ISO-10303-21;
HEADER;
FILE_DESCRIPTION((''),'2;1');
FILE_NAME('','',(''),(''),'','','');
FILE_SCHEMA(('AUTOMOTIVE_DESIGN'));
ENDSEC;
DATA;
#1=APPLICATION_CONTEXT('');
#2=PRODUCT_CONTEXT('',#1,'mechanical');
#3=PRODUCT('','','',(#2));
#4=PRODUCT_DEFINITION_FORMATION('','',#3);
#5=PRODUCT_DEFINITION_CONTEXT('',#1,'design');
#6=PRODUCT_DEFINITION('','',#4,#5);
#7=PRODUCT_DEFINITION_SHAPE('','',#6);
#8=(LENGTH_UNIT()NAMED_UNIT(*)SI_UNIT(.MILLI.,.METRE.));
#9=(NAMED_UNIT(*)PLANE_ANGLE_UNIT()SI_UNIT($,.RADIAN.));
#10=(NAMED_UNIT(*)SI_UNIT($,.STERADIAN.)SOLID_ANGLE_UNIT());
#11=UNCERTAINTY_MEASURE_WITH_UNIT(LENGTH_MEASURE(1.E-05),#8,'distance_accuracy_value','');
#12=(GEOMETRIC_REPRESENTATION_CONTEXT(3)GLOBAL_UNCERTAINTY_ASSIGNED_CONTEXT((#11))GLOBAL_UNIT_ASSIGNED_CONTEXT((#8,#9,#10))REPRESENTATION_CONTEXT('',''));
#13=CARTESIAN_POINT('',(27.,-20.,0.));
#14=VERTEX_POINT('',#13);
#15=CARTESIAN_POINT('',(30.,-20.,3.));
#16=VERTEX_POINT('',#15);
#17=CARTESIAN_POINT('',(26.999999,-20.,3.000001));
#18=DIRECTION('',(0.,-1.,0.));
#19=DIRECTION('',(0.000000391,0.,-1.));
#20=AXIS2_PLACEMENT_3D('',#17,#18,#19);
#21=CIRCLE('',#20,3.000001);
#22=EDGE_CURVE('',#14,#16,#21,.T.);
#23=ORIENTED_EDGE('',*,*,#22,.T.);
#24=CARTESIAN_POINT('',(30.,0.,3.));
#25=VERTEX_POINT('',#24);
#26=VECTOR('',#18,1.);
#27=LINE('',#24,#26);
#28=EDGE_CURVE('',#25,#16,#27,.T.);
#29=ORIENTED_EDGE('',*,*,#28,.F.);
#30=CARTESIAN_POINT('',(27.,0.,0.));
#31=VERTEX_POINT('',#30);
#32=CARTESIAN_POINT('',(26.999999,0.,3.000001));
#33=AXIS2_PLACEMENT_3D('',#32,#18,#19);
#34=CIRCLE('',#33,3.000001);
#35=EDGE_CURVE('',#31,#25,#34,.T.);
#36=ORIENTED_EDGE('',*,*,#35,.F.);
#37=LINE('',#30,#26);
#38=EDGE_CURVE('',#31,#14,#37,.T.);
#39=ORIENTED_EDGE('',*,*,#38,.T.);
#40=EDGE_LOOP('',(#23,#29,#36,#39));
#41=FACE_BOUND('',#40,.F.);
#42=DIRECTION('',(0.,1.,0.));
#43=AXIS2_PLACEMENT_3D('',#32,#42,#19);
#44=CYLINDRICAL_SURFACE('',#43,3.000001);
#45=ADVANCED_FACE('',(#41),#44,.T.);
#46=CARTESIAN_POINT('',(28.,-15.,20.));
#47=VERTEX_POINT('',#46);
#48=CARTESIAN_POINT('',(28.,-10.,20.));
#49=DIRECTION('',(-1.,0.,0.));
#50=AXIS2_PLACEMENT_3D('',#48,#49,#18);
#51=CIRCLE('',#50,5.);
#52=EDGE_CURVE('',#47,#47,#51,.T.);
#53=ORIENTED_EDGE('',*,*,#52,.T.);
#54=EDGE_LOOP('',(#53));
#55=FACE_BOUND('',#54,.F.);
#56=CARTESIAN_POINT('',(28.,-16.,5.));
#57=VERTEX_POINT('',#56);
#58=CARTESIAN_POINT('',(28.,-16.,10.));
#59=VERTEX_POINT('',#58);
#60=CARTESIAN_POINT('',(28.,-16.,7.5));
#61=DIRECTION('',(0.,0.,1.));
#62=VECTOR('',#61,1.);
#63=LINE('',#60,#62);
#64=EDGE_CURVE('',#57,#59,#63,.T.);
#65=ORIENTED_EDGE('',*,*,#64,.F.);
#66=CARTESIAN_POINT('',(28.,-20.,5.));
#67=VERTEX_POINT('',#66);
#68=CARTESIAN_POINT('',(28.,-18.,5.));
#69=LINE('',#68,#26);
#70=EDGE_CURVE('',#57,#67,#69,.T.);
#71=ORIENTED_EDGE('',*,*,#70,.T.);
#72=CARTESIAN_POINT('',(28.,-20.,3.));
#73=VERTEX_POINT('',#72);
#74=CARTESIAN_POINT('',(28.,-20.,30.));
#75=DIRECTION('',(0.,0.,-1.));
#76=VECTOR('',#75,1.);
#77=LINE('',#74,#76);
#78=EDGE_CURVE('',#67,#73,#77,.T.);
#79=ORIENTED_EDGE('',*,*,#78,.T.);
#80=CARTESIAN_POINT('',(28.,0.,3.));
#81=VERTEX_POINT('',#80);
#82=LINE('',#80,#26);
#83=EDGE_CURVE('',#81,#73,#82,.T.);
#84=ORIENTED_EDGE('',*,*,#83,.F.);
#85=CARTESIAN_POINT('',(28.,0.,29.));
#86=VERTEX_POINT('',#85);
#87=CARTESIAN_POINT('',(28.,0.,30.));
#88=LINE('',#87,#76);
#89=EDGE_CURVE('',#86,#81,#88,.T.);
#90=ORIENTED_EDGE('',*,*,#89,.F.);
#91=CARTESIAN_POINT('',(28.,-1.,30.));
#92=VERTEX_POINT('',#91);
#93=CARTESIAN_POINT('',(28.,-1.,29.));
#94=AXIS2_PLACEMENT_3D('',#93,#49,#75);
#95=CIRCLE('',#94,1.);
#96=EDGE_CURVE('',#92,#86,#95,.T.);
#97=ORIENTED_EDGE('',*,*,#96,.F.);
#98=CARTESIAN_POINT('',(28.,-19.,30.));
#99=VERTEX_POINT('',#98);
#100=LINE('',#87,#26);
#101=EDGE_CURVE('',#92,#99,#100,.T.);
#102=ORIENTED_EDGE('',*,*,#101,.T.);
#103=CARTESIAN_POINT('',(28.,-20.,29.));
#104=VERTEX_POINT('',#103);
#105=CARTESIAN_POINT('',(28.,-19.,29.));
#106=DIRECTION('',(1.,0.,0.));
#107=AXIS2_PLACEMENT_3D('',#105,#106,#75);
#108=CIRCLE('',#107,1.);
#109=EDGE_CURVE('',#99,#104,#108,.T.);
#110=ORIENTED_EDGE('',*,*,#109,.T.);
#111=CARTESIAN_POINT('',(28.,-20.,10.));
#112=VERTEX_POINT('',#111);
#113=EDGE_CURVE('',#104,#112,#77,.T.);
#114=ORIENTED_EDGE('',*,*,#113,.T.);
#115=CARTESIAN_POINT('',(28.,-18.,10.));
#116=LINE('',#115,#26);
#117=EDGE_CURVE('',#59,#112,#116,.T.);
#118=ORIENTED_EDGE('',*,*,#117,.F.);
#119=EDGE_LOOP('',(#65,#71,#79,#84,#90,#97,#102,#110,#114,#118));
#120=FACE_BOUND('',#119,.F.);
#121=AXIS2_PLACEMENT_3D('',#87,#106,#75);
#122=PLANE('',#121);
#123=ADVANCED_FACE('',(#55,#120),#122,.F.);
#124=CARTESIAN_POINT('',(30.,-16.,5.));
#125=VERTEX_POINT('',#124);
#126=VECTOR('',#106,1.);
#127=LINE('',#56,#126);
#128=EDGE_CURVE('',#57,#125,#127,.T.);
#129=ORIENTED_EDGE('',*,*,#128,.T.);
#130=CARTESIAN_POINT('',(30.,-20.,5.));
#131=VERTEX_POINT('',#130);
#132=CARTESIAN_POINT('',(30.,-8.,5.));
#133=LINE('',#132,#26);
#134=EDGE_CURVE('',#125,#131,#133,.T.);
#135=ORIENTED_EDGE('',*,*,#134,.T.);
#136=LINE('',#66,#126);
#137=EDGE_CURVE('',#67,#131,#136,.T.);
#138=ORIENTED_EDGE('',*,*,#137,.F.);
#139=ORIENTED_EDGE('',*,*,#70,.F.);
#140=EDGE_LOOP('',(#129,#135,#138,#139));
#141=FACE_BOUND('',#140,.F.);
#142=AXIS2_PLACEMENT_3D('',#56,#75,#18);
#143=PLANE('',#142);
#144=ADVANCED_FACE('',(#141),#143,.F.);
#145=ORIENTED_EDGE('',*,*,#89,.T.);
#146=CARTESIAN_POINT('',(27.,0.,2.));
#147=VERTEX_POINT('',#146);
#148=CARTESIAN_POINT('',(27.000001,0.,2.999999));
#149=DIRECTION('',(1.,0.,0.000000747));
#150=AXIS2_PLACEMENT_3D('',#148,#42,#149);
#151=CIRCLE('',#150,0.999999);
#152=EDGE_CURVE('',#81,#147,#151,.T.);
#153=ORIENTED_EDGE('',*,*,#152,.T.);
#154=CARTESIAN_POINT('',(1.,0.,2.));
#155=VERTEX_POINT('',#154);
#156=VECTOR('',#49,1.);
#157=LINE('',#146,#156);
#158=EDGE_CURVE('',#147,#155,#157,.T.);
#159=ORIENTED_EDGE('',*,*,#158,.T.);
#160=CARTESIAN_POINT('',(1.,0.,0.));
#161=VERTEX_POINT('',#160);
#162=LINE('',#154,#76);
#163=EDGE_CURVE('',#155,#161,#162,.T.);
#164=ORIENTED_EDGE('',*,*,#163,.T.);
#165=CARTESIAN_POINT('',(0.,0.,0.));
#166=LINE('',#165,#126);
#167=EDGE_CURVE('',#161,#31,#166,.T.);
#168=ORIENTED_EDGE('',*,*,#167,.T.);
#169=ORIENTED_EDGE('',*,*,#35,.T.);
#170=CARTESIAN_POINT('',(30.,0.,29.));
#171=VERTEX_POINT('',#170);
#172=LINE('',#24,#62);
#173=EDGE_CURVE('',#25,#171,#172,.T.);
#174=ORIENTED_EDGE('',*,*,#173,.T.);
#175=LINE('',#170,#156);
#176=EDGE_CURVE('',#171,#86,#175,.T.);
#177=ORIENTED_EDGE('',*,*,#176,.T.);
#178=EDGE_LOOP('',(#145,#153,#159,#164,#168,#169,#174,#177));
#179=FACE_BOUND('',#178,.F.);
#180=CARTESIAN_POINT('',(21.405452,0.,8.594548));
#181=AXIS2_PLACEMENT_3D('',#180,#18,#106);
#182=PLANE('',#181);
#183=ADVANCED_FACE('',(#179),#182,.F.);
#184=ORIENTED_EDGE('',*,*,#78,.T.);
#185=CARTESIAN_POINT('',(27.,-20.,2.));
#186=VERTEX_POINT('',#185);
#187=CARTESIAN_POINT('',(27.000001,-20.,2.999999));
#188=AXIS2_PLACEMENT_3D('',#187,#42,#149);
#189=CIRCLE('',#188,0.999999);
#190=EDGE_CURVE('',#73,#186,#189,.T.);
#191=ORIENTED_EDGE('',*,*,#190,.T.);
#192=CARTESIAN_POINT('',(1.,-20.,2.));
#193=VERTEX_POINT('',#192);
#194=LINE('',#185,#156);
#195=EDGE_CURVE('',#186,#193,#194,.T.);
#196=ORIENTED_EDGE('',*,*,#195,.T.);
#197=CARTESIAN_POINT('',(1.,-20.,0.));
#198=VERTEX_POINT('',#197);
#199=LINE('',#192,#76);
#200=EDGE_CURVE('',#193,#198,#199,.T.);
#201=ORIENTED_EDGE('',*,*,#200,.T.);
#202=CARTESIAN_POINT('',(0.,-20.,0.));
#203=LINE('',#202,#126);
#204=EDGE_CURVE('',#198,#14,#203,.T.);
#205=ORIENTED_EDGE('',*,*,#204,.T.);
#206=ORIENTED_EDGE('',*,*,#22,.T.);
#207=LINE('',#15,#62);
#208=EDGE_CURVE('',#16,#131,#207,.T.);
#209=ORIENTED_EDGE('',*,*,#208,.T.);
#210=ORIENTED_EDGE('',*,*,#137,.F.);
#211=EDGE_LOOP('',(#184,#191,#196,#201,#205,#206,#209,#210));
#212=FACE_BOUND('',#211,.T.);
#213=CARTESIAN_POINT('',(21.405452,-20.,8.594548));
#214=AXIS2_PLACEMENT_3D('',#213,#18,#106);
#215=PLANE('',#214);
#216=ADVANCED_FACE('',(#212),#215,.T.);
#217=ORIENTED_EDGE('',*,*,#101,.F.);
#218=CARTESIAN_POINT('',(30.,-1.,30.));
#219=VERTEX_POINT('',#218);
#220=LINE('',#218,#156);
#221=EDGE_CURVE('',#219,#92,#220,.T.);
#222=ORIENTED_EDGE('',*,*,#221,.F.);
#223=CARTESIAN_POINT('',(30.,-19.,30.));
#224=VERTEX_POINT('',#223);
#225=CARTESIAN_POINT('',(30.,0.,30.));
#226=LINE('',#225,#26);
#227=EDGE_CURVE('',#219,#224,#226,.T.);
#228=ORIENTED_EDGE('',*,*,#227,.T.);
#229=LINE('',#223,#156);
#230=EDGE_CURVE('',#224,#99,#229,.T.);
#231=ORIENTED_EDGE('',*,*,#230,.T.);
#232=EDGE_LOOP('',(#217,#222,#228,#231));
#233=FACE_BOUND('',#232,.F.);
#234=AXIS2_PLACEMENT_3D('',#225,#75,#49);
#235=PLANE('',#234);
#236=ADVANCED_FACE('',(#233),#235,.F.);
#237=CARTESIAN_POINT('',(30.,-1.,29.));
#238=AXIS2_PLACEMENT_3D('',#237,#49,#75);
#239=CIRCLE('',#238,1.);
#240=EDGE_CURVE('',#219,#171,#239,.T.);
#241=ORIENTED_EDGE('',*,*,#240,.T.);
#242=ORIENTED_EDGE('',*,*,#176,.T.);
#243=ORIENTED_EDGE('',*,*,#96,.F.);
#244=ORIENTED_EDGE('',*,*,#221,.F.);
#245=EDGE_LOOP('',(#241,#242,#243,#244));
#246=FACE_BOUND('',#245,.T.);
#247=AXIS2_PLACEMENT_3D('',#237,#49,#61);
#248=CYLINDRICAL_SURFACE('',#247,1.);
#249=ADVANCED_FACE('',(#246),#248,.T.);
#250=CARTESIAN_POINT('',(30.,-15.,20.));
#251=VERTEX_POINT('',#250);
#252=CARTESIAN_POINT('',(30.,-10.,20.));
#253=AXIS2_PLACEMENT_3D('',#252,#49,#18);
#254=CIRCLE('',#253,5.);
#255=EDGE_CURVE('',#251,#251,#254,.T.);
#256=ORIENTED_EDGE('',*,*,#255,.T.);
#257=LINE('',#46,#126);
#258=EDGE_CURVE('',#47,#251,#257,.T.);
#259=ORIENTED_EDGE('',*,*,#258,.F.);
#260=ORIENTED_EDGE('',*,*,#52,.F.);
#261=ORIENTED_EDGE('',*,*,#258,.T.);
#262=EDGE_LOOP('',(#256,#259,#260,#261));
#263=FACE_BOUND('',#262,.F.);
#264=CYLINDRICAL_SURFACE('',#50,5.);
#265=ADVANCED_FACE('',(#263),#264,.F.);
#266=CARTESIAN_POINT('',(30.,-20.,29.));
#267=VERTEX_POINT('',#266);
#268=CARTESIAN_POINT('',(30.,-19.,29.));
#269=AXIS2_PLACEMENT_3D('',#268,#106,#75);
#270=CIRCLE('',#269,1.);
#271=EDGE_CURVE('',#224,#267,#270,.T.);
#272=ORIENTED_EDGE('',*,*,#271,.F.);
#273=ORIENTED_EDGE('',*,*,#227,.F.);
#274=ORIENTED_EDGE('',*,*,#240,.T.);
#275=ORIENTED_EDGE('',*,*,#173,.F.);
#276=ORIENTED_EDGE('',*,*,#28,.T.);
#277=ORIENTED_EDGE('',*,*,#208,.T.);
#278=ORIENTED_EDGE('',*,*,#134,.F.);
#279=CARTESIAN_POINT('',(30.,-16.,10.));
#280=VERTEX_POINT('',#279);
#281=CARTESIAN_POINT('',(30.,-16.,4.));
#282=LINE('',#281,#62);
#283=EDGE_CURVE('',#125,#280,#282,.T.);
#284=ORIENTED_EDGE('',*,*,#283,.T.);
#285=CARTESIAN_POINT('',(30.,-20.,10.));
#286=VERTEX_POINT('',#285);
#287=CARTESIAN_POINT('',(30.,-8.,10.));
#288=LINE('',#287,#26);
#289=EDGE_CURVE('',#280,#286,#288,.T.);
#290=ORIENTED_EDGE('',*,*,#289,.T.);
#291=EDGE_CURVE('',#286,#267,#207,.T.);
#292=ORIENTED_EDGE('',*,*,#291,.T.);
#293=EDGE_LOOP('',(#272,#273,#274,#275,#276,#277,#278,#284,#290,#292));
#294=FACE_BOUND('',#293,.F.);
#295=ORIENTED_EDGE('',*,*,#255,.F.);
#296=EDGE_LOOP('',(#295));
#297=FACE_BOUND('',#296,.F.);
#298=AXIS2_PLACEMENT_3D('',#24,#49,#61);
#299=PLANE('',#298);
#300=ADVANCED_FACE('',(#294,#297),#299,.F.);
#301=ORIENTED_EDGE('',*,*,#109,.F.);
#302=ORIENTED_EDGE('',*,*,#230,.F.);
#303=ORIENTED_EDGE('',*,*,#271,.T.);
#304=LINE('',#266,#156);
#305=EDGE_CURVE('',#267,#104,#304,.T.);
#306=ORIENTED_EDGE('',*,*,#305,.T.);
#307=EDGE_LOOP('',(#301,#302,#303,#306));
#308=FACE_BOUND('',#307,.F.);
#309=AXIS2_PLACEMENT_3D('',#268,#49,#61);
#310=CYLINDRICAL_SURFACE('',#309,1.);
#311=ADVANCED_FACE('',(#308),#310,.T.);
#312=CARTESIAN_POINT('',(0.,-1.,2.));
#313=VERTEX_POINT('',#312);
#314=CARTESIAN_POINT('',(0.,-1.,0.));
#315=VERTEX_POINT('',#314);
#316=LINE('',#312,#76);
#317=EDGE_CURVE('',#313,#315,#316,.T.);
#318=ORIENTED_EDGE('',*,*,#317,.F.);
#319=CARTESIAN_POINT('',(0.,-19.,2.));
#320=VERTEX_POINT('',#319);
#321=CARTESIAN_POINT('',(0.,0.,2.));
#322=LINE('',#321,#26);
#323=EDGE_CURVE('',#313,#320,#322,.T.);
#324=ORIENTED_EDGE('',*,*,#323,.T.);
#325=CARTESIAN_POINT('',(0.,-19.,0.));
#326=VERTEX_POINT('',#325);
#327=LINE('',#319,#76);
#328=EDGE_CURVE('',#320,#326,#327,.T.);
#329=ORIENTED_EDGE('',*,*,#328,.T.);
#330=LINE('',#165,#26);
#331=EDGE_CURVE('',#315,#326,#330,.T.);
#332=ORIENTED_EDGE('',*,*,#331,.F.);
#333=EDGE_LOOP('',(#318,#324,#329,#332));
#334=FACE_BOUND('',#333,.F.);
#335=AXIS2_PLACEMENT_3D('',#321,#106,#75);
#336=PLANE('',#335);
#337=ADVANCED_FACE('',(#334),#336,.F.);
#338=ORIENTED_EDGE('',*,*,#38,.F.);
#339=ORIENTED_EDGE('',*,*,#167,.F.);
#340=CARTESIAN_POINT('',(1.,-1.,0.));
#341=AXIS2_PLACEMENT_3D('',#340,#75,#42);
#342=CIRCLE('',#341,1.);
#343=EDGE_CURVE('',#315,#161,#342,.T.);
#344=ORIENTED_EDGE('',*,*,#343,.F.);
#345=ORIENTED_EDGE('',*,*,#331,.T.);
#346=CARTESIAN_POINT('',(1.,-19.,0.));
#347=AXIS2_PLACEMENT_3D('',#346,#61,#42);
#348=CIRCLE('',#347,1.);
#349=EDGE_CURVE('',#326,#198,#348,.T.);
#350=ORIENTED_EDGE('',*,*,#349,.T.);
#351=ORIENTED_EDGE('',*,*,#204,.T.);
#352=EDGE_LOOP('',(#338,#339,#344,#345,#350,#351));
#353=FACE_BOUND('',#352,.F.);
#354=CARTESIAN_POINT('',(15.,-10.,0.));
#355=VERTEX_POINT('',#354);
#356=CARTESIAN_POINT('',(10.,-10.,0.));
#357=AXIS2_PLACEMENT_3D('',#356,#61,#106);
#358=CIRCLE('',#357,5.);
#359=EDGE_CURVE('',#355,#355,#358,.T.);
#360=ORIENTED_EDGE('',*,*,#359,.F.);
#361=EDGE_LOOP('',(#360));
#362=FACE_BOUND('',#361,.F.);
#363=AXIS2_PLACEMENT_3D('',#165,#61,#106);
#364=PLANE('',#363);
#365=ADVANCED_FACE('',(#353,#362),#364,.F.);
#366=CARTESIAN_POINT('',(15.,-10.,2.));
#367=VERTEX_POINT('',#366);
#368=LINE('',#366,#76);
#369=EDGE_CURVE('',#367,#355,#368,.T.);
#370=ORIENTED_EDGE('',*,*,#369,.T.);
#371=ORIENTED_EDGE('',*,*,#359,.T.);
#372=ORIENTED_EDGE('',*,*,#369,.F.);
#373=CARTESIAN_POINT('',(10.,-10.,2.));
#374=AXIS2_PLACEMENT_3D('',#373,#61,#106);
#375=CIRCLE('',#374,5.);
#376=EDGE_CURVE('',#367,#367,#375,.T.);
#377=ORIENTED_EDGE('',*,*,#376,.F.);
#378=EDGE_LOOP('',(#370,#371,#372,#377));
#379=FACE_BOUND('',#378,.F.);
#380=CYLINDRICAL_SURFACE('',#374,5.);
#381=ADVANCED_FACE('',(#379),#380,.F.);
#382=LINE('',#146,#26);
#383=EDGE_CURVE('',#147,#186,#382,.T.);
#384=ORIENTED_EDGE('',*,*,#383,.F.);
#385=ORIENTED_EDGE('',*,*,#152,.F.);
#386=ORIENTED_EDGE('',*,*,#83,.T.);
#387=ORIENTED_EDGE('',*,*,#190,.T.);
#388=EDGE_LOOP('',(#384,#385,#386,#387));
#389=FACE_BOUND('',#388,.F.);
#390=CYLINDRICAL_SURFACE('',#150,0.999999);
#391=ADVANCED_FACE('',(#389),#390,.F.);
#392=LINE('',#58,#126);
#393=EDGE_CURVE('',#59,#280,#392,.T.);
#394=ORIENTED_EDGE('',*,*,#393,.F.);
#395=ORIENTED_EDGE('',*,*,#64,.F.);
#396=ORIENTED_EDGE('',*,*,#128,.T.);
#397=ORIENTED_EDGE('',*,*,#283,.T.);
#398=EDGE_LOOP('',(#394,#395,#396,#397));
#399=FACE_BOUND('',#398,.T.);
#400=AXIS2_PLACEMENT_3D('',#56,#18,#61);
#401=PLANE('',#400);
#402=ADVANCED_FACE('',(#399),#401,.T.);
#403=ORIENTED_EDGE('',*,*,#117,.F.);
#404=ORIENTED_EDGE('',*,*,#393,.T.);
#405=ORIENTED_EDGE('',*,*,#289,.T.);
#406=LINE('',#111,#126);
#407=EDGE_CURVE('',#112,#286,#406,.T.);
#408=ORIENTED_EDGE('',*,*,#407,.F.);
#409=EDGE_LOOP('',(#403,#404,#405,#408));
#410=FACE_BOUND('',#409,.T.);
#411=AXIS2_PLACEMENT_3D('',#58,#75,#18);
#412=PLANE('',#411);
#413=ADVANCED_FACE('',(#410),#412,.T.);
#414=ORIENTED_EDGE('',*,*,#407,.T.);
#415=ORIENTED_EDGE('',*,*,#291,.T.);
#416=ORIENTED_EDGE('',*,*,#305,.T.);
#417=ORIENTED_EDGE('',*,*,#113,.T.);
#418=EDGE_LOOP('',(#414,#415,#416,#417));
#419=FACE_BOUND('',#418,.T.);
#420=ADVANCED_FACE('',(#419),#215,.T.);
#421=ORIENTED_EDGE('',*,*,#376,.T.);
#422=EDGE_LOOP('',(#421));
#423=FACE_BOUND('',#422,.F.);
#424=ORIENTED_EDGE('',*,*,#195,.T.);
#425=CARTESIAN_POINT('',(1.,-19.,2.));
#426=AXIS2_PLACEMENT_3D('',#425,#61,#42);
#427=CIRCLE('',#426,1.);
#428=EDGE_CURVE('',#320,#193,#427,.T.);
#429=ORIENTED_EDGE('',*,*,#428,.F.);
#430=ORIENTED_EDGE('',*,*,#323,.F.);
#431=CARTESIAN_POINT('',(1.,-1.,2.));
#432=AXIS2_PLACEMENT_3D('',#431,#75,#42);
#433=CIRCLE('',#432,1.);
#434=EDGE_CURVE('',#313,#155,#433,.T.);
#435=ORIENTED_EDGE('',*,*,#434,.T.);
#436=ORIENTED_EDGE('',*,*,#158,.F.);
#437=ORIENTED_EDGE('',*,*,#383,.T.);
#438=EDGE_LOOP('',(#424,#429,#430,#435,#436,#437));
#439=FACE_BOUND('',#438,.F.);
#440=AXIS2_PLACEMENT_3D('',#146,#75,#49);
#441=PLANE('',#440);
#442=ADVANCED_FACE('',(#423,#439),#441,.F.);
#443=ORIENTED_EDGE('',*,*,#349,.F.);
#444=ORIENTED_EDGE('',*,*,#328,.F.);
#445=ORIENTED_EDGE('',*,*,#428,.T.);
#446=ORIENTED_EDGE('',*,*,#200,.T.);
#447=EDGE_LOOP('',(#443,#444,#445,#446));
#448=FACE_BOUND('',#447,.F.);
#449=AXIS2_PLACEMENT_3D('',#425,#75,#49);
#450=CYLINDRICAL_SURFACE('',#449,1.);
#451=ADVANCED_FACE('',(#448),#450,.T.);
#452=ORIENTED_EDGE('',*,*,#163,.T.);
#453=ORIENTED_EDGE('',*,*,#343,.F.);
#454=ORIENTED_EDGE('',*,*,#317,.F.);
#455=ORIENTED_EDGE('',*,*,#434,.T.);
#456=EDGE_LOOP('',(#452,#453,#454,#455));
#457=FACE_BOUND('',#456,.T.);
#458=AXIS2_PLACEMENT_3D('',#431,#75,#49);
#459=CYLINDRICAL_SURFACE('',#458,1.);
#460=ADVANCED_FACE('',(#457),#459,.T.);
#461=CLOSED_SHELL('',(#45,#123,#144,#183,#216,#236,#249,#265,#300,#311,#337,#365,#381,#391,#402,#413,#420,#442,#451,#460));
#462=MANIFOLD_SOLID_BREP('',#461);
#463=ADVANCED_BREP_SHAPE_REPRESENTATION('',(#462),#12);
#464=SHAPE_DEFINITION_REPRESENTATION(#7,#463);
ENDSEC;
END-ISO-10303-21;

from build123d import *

# Parameters (mm, degrees)
F1_DEPTH = 20
F2_R     = 1
F3_R     = 5
F3_W     = 4
F3_H     = 5
F4_DEPTH = 2.001
F5_R     = 5
F6_DEPTH = 2.001


with BuildPart() as f1:
    # F0 (on Front) → F1 (new body)
    with BuildSketch(Plane.XZ):
        with BuildLine():
            Line((0, 2), (0, 0))
            Line((0, 0), (27, 0))
            ThreePointArc((27, 0), (29.12132, 0.87868), (30, 3))
            Line((30, 3), (30, 30))
            Line((30, 30), (28, 30))
            Line((28, 30), (28, 3))
            ThreePointArc((28, 3), (27.707107, 2.292893), (27, 2))
            Line((27, 2), (0, 2))
        make_face()
    extrude(amount=F1_DEPTH)

    # F2
    f2_edges = [f1.edges().sort_by_distance(p)[0] for p in [
        (29, 0, 30),
        (29, -20, 30),
        (0, -20, 1),
        (0, 0, 1),
    ]]
    fillet(f2_edges, radius=F2_R)

    # F3 (on face) → F4 (cut, through all)
    with BuildSketch(Plane(origin=(28, 0, 0), x_dir=(0, -1, 0), z_dir=(-1, 0, 0))):
        with Locations((10, 20)):
            Circle(F3_R)
        with Locations((18, 7.5)):
            Rectangle(F3_W, F3_H)
    extrude(amount=-F4_DEPTH, mode=Mode.SUBTRACT)

    # F5 (on face) → F6 (cut, through all)
    with BuildSketch(Plane.XY.offset(2)):
        with Locations((10, -10)):
            Circle(F5_R)
    extrude(amount=-F6_DEPTH, mode=Mode.SUBTRACT)


solid = f1.part
